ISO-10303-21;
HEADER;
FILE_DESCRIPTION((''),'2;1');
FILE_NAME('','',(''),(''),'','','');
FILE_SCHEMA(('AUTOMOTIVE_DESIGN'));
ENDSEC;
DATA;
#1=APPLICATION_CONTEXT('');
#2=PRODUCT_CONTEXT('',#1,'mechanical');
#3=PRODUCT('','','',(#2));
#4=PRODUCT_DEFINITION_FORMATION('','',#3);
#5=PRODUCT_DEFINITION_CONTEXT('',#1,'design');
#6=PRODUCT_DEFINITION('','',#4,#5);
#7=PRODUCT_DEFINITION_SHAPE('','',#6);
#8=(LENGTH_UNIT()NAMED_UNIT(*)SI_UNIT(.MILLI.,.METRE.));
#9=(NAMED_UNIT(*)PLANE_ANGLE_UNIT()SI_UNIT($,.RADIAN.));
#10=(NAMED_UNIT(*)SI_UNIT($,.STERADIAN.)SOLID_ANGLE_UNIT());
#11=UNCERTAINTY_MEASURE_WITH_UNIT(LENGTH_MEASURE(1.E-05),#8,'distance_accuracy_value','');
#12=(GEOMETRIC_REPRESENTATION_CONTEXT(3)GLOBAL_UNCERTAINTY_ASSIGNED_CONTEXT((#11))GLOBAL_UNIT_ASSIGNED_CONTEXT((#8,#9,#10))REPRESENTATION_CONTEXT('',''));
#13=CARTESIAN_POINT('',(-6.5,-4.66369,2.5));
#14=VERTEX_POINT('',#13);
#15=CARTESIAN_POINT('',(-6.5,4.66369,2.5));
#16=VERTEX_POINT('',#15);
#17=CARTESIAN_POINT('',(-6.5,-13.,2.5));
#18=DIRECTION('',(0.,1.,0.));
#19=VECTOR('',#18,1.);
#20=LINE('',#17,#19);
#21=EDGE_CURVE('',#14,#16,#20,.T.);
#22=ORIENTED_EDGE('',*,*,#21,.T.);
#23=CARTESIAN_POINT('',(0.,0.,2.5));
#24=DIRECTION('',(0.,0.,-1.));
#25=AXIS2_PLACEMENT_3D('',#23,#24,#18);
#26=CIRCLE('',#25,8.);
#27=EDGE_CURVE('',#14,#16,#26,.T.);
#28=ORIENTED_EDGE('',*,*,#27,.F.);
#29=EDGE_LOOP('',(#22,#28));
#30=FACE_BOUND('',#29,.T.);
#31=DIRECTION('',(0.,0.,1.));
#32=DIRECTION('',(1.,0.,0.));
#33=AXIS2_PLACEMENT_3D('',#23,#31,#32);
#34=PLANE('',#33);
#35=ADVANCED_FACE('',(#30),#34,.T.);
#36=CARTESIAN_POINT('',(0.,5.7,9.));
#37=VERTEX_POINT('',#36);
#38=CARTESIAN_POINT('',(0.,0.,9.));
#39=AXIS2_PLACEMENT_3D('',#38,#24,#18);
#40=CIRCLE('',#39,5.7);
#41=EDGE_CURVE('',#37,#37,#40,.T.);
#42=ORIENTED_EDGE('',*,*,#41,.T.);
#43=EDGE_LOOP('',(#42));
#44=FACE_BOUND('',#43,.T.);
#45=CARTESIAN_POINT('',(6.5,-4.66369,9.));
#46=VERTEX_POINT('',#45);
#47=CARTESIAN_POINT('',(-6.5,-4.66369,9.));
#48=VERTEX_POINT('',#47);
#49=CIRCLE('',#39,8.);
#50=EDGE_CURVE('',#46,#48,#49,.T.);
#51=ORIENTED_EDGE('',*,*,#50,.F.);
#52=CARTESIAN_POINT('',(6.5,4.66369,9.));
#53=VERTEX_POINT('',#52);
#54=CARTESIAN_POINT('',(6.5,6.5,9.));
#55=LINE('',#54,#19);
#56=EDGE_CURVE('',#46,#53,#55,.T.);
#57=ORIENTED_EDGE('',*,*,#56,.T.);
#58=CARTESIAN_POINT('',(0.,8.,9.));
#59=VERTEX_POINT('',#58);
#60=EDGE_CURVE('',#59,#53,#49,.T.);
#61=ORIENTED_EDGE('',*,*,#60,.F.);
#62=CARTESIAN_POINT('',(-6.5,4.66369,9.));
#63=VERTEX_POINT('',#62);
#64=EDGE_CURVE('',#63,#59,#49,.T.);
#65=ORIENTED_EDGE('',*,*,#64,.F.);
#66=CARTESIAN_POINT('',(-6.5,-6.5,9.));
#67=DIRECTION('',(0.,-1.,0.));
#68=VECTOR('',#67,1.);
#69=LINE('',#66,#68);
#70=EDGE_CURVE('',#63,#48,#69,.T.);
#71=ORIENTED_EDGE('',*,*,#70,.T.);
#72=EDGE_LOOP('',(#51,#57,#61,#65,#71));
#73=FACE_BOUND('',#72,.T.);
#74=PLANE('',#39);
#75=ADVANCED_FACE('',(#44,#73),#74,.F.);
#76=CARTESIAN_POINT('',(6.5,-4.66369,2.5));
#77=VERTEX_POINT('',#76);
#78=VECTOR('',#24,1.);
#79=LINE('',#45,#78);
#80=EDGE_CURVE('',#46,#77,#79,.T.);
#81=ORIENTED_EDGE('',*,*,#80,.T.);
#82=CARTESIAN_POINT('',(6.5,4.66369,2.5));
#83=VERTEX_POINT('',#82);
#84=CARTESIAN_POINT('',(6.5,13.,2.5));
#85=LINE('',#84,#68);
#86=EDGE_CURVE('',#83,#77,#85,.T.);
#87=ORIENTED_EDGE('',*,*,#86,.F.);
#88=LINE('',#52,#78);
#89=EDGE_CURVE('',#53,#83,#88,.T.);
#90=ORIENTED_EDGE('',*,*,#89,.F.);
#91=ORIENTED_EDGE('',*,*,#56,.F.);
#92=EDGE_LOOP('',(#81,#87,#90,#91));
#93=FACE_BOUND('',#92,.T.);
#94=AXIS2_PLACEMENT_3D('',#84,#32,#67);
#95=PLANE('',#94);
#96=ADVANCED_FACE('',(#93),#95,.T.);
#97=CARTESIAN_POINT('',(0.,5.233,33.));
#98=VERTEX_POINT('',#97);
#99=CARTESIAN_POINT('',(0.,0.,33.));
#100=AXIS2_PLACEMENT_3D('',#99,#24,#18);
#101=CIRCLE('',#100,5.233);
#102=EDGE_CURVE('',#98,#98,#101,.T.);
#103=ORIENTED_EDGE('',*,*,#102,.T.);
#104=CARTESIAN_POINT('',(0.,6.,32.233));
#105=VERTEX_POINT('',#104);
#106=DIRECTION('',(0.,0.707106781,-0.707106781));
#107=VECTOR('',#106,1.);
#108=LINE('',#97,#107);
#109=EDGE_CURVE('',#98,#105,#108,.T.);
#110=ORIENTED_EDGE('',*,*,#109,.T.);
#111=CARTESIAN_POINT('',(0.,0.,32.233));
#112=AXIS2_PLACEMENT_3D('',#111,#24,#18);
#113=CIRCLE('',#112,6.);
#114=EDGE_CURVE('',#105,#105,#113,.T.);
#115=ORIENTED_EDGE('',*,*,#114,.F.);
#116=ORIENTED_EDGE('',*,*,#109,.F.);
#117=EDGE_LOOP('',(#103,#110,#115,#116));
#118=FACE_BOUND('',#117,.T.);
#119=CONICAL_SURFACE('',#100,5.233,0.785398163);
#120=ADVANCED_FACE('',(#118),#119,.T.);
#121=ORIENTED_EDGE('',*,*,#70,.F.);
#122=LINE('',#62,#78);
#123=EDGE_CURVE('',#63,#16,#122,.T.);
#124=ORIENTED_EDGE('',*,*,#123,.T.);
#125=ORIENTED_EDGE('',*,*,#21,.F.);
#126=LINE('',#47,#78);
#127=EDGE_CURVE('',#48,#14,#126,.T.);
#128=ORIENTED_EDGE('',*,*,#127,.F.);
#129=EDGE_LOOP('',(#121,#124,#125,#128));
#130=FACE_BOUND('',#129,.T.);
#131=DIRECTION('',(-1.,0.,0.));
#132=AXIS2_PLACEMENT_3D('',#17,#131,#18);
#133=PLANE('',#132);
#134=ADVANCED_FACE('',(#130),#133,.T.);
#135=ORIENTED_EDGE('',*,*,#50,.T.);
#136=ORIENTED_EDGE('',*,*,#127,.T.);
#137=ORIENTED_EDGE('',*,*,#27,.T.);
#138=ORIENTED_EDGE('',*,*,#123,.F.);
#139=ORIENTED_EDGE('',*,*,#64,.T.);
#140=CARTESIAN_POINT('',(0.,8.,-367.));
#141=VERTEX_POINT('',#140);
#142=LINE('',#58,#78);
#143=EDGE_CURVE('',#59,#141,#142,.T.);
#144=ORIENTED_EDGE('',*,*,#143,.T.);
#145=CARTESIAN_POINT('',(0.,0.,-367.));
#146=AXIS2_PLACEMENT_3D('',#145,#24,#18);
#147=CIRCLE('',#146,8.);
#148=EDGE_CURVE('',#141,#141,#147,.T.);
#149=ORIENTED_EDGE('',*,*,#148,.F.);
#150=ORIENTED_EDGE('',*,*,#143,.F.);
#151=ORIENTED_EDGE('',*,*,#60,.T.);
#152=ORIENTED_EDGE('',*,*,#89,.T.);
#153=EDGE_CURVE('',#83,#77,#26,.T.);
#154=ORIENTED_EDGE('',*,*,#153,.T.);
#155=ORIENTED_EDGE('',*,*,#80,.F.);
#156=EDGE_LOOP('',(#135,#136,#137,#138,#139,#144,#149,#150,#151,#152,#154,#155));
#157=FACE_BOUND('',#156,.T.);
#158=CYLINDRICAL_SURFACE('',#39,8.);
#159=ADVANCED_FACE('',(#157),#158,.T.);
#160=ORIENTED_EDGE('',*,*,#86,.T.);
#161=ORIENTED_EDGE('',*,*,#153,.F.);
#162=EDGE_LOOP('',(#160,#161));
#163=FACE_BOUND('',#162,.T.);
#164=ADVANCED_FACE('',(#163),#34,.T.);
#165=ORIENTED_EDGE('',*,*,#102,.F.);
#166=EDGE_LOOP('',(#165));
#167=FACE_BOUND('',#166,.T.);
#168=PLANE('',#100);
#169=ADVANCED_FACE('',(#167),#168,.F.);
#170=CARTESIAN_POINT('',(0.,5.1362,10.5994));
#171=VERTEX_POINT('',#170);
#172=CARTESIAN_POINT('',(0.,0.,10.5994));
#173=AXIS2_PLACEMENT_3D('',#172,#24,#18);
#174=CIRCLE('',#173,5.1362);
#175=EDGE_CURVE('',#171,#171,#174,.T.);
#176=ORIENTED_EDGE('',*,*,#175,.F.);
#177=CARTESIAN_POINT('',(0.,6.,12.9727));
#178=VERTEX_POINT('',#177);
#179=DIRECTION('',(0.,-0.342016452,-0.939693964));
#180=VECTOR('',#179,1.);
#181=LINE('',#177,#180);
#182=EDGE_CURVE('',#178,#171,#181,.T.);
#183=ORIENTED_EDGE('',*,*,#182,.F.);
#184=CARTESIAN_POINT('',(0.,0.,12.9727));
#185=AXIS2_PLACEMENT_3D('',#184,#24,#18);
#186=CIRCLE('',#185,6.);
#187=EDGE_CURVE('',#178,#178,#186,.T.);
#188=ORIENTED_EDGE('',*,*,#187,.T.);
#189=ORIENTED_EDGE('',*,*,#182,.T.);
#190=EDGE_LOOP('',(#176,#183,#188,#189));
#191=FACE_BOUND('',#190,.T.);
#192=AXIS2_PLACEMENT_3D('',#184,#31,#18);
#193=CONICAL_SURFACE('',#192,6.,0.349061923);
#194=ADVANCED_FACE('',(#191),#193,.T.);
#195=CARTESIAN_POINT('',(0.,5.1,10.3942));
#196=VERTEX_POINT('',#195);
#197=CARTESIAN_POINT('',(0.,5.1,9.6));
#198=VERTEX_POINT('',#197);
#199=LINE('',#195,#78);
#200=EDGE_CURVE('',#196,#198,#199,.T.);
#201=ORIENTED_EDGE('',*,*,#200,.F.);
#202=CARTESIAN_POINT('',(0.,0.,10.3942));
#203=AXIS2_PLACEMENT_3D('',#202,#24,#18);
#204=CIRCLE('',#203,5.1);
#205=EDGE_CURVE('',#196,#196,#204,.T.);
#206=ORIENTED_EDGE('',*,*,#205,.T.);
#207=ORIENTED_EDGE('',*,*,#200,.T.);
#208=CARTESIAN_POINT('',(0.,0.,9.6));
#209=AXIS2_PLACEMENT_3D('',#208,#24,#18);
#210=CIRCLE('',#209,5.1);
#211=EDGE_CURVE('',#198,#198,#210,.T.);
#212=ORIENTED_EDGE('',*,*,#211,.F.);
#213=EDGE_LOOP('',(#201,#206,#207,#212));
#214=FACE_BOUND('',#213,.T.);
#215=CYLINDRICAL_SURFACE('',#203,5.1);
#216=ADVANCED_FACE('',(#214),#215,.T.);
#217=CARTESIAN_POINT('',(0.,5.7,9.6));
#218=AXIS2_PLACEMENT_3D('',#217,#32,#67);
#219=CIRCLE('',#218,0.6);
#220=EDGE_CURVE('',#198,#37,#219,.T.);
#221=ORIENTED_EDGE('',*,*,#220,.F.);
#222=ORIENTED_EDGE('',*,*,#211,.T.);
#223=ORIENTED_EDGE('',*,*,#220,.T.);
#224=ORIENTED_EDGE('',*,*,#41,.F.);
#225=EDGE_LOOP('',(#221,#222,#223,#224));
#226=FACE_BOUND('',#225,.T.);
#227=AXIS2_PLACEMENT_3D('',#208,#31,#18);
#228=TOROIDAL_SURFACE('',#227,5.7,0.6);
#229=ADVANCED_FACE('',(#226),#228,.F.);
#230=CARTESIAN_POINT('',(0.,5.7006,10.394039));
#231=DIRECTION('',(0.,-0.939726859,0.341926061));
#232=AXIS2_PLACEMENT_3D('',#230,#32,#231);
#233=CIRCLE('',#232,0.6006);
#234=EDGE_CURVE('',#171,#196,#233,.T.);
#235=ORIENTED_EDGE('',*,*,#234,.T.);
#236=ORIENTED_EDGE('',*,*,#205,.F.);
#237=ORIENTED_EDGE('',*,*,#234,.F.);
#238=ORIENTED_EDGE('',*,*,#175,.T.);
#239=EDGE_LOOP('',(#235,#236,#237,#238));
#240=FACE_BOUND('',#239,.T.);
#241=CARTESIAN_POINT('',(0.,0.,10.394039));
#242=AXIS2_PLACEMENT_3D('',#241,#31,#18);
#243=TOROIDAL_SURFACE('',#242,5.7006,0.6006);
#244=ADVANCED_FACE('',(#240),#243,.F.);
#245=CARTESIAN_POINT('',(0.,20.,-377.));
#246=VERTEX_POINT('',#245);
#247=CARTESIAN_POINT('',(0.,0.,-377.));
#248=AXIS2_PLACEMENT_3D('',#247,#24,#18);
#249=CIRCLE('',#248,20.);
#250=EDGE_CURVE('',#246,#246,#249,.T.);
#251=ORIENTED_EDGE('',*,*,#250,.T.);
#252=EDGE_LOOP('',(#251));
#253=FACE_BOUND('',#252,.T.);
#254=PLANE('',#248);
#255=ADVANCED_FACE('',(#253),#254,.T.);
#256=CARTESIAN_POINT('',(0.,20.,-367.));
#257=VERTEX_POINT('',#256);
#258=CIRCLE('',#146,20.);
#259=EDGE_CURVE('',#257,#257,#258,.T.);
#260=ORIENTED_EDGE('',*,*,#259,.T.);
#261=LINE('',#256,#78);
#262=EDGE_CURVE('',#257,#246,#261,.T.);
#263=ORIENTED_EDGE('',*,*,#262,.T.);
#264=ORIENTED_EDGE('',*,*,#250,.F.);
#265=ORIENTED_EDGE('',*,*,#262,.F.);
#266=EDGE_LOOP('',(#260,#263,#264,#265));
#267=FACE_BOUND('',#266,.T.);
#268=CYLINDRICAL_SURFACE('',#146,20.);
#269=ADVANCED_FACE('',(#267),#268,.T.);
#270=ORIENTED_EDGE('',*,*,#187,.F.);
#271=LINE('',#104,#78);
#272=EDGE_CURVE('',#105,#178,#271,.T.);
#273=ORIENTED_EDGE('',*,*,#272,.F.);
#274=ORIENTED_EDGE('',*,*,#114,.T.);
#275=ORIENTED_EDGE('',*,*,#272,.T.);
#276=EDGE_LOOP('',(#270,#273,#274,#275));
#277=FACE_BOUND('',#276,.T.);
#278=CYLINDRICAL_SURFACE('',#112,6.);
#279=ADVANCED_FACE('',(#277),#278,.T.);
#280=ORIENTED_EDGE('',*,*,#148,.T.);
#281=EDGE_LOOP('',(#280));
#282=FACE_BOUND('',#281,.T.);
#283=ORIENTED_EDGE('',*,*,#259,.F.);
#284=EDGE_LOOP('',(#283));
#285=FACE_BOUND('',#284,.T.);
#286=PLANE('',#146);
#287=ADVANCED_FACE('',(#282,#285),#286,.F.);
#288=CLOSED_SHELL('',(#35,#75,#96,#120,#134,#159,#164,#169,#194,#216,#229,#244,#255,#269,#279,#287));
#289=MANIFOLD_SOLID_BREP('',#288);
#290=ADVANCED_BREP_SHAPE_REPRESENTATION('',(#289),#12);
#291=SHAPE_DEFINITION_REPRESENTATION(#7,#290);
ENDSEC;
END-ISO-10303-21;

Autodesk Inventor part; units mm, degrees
sketch "Sketch_2" plane through (0, 0, 0) normal (1, 0, 0) x (0, 1, 0)
  line L0 (0, -377) -> (0, 9)
  line L1 (0, 9) -> (8, 9)
  line L2 (8, 9) -> (8, -367)
  line L3 (8, -367) -> (20, -367)
  line L4 (20, -367) -> (20, -377)
  line L5 (20, -377) -> (0, -377)
  line L6 (0, -377) -> (0, 9)
revolve "Revolution1" add sketch "Sketch_2" angle 360 about axis through (0, 0, -377) along (0, 0, -1)
sketch "Sketch_6" plane through (0, 0, 0) normal (1, 0, 0) x (0, 1, 0)
  line L0 (0, 8) -> (0, 33)
  line L1 (0, 33) -> (5.233, 33)
  line L2 (5.233, 33) -> (6, 32.233)
  line L3 (6, 32.233) -> (6, 12.9727)
  line L4 (6, 12.9727) -> (5.1362, 10.5994)
  arc A0 (5.1362, 10.5994) -> (5.1, 10.3942) centre (5.7, 10.3942) ccw
  line L5 (5.1, 10.3942) -> (5.1, 9.6)
  arc A1 (5.1, 9.6) -> (5.7, 9) centre (5.7, 9.6) ccw
  line L6 (5.7, 9) -> (6, 9)
  line L7 (6, 9) -> (6, 8)
  line L8 (6, 8) -> (0, 8)
  line L9 (0, 8) -> (0, 33)
revolve "Revolution2" add sketch "Sketch_6" angle 360 about axis through (0, 0, 8) along (0, 0, -1)
thread "Thread1" size "M12x1.25" class "6g" standard "ISO Metric profile" full length
sketch "Sketch_7" plane through (0, 0, 2.5) normal (0, 0, 1) x (1, 0, 0)
  line L0 (-13, 26) -> (-13, -13)
  line L1 (-13, -13) -> (-6.5, -13)
  line L2 (-6.5, -13) -> (-6.5, 13)
  line L3 (-6.5, 13) -> (6.5, 13)
  line L4 (6.5, 13) -> (6.5, -13)
  line L5 (6.5, -13) -> (13, -13)
  line L6 (13, -13) -> (13, 26)
  line L7 (13, 26) -> (-13, 26)
extrude "Extrusion1" cut sketch "Sketch_7" along normal blind 7.5
ref_plane "FDT_KSAUFSATZ_XY" through (0, 0, 20) normal (0, 0, 1) x (-1, 0, 0)
ref_plane "FDT_KSAUFSATZ_YZ" through (0, 0, 20) normal (-1, 0, 0) x (0, -1, 0)
ref_plane "FDT_KSAUFSATZ_ZX" through (0, 0, 20) normal (0, -1, 0) x (0, 0, 1)
ref_plane "FDT_NUT_XY" through (0, 0, 20) normal (0, 0, 1) x (-1, 0, 0)
ref_plane "FDT_NUT_YZ" through (0, 0, 20) normal (-1, 0, 0) x (0, -1, 0)
ref_plane "FDT_NUT_ZX" through (0, 0, 20) normal (0, -1, 0) x (0, 0, 1)
ref_plane "KS_XY" through (0, 0, 0) normal (0, 0, -1) x (1, 0, 0)
ref_plane "KS_YZ" through (0, 0, 0) normal (1, 0, 0) x (0, -1, 0)
ref_plane "KS_ZX" through (0, 0, 0) normal (0, -1, 0) x (0, 0, -1)
ref_plane "NUT1_XY" through (0, 0, 24) normal (0, 0, 1) x (1, 0, 0)
ref_plane "NUT1_YZ" through (0, 0, 24) normal (1, 0, 0) x (0, 1, 0)
ref_plane "NUT1_ZX" through (0, 0, 24) normal (0, 1, 0) x (0, 0, 1)
properties part number "193993 DSNU-40-300-P---(A---00--0-KS)"
